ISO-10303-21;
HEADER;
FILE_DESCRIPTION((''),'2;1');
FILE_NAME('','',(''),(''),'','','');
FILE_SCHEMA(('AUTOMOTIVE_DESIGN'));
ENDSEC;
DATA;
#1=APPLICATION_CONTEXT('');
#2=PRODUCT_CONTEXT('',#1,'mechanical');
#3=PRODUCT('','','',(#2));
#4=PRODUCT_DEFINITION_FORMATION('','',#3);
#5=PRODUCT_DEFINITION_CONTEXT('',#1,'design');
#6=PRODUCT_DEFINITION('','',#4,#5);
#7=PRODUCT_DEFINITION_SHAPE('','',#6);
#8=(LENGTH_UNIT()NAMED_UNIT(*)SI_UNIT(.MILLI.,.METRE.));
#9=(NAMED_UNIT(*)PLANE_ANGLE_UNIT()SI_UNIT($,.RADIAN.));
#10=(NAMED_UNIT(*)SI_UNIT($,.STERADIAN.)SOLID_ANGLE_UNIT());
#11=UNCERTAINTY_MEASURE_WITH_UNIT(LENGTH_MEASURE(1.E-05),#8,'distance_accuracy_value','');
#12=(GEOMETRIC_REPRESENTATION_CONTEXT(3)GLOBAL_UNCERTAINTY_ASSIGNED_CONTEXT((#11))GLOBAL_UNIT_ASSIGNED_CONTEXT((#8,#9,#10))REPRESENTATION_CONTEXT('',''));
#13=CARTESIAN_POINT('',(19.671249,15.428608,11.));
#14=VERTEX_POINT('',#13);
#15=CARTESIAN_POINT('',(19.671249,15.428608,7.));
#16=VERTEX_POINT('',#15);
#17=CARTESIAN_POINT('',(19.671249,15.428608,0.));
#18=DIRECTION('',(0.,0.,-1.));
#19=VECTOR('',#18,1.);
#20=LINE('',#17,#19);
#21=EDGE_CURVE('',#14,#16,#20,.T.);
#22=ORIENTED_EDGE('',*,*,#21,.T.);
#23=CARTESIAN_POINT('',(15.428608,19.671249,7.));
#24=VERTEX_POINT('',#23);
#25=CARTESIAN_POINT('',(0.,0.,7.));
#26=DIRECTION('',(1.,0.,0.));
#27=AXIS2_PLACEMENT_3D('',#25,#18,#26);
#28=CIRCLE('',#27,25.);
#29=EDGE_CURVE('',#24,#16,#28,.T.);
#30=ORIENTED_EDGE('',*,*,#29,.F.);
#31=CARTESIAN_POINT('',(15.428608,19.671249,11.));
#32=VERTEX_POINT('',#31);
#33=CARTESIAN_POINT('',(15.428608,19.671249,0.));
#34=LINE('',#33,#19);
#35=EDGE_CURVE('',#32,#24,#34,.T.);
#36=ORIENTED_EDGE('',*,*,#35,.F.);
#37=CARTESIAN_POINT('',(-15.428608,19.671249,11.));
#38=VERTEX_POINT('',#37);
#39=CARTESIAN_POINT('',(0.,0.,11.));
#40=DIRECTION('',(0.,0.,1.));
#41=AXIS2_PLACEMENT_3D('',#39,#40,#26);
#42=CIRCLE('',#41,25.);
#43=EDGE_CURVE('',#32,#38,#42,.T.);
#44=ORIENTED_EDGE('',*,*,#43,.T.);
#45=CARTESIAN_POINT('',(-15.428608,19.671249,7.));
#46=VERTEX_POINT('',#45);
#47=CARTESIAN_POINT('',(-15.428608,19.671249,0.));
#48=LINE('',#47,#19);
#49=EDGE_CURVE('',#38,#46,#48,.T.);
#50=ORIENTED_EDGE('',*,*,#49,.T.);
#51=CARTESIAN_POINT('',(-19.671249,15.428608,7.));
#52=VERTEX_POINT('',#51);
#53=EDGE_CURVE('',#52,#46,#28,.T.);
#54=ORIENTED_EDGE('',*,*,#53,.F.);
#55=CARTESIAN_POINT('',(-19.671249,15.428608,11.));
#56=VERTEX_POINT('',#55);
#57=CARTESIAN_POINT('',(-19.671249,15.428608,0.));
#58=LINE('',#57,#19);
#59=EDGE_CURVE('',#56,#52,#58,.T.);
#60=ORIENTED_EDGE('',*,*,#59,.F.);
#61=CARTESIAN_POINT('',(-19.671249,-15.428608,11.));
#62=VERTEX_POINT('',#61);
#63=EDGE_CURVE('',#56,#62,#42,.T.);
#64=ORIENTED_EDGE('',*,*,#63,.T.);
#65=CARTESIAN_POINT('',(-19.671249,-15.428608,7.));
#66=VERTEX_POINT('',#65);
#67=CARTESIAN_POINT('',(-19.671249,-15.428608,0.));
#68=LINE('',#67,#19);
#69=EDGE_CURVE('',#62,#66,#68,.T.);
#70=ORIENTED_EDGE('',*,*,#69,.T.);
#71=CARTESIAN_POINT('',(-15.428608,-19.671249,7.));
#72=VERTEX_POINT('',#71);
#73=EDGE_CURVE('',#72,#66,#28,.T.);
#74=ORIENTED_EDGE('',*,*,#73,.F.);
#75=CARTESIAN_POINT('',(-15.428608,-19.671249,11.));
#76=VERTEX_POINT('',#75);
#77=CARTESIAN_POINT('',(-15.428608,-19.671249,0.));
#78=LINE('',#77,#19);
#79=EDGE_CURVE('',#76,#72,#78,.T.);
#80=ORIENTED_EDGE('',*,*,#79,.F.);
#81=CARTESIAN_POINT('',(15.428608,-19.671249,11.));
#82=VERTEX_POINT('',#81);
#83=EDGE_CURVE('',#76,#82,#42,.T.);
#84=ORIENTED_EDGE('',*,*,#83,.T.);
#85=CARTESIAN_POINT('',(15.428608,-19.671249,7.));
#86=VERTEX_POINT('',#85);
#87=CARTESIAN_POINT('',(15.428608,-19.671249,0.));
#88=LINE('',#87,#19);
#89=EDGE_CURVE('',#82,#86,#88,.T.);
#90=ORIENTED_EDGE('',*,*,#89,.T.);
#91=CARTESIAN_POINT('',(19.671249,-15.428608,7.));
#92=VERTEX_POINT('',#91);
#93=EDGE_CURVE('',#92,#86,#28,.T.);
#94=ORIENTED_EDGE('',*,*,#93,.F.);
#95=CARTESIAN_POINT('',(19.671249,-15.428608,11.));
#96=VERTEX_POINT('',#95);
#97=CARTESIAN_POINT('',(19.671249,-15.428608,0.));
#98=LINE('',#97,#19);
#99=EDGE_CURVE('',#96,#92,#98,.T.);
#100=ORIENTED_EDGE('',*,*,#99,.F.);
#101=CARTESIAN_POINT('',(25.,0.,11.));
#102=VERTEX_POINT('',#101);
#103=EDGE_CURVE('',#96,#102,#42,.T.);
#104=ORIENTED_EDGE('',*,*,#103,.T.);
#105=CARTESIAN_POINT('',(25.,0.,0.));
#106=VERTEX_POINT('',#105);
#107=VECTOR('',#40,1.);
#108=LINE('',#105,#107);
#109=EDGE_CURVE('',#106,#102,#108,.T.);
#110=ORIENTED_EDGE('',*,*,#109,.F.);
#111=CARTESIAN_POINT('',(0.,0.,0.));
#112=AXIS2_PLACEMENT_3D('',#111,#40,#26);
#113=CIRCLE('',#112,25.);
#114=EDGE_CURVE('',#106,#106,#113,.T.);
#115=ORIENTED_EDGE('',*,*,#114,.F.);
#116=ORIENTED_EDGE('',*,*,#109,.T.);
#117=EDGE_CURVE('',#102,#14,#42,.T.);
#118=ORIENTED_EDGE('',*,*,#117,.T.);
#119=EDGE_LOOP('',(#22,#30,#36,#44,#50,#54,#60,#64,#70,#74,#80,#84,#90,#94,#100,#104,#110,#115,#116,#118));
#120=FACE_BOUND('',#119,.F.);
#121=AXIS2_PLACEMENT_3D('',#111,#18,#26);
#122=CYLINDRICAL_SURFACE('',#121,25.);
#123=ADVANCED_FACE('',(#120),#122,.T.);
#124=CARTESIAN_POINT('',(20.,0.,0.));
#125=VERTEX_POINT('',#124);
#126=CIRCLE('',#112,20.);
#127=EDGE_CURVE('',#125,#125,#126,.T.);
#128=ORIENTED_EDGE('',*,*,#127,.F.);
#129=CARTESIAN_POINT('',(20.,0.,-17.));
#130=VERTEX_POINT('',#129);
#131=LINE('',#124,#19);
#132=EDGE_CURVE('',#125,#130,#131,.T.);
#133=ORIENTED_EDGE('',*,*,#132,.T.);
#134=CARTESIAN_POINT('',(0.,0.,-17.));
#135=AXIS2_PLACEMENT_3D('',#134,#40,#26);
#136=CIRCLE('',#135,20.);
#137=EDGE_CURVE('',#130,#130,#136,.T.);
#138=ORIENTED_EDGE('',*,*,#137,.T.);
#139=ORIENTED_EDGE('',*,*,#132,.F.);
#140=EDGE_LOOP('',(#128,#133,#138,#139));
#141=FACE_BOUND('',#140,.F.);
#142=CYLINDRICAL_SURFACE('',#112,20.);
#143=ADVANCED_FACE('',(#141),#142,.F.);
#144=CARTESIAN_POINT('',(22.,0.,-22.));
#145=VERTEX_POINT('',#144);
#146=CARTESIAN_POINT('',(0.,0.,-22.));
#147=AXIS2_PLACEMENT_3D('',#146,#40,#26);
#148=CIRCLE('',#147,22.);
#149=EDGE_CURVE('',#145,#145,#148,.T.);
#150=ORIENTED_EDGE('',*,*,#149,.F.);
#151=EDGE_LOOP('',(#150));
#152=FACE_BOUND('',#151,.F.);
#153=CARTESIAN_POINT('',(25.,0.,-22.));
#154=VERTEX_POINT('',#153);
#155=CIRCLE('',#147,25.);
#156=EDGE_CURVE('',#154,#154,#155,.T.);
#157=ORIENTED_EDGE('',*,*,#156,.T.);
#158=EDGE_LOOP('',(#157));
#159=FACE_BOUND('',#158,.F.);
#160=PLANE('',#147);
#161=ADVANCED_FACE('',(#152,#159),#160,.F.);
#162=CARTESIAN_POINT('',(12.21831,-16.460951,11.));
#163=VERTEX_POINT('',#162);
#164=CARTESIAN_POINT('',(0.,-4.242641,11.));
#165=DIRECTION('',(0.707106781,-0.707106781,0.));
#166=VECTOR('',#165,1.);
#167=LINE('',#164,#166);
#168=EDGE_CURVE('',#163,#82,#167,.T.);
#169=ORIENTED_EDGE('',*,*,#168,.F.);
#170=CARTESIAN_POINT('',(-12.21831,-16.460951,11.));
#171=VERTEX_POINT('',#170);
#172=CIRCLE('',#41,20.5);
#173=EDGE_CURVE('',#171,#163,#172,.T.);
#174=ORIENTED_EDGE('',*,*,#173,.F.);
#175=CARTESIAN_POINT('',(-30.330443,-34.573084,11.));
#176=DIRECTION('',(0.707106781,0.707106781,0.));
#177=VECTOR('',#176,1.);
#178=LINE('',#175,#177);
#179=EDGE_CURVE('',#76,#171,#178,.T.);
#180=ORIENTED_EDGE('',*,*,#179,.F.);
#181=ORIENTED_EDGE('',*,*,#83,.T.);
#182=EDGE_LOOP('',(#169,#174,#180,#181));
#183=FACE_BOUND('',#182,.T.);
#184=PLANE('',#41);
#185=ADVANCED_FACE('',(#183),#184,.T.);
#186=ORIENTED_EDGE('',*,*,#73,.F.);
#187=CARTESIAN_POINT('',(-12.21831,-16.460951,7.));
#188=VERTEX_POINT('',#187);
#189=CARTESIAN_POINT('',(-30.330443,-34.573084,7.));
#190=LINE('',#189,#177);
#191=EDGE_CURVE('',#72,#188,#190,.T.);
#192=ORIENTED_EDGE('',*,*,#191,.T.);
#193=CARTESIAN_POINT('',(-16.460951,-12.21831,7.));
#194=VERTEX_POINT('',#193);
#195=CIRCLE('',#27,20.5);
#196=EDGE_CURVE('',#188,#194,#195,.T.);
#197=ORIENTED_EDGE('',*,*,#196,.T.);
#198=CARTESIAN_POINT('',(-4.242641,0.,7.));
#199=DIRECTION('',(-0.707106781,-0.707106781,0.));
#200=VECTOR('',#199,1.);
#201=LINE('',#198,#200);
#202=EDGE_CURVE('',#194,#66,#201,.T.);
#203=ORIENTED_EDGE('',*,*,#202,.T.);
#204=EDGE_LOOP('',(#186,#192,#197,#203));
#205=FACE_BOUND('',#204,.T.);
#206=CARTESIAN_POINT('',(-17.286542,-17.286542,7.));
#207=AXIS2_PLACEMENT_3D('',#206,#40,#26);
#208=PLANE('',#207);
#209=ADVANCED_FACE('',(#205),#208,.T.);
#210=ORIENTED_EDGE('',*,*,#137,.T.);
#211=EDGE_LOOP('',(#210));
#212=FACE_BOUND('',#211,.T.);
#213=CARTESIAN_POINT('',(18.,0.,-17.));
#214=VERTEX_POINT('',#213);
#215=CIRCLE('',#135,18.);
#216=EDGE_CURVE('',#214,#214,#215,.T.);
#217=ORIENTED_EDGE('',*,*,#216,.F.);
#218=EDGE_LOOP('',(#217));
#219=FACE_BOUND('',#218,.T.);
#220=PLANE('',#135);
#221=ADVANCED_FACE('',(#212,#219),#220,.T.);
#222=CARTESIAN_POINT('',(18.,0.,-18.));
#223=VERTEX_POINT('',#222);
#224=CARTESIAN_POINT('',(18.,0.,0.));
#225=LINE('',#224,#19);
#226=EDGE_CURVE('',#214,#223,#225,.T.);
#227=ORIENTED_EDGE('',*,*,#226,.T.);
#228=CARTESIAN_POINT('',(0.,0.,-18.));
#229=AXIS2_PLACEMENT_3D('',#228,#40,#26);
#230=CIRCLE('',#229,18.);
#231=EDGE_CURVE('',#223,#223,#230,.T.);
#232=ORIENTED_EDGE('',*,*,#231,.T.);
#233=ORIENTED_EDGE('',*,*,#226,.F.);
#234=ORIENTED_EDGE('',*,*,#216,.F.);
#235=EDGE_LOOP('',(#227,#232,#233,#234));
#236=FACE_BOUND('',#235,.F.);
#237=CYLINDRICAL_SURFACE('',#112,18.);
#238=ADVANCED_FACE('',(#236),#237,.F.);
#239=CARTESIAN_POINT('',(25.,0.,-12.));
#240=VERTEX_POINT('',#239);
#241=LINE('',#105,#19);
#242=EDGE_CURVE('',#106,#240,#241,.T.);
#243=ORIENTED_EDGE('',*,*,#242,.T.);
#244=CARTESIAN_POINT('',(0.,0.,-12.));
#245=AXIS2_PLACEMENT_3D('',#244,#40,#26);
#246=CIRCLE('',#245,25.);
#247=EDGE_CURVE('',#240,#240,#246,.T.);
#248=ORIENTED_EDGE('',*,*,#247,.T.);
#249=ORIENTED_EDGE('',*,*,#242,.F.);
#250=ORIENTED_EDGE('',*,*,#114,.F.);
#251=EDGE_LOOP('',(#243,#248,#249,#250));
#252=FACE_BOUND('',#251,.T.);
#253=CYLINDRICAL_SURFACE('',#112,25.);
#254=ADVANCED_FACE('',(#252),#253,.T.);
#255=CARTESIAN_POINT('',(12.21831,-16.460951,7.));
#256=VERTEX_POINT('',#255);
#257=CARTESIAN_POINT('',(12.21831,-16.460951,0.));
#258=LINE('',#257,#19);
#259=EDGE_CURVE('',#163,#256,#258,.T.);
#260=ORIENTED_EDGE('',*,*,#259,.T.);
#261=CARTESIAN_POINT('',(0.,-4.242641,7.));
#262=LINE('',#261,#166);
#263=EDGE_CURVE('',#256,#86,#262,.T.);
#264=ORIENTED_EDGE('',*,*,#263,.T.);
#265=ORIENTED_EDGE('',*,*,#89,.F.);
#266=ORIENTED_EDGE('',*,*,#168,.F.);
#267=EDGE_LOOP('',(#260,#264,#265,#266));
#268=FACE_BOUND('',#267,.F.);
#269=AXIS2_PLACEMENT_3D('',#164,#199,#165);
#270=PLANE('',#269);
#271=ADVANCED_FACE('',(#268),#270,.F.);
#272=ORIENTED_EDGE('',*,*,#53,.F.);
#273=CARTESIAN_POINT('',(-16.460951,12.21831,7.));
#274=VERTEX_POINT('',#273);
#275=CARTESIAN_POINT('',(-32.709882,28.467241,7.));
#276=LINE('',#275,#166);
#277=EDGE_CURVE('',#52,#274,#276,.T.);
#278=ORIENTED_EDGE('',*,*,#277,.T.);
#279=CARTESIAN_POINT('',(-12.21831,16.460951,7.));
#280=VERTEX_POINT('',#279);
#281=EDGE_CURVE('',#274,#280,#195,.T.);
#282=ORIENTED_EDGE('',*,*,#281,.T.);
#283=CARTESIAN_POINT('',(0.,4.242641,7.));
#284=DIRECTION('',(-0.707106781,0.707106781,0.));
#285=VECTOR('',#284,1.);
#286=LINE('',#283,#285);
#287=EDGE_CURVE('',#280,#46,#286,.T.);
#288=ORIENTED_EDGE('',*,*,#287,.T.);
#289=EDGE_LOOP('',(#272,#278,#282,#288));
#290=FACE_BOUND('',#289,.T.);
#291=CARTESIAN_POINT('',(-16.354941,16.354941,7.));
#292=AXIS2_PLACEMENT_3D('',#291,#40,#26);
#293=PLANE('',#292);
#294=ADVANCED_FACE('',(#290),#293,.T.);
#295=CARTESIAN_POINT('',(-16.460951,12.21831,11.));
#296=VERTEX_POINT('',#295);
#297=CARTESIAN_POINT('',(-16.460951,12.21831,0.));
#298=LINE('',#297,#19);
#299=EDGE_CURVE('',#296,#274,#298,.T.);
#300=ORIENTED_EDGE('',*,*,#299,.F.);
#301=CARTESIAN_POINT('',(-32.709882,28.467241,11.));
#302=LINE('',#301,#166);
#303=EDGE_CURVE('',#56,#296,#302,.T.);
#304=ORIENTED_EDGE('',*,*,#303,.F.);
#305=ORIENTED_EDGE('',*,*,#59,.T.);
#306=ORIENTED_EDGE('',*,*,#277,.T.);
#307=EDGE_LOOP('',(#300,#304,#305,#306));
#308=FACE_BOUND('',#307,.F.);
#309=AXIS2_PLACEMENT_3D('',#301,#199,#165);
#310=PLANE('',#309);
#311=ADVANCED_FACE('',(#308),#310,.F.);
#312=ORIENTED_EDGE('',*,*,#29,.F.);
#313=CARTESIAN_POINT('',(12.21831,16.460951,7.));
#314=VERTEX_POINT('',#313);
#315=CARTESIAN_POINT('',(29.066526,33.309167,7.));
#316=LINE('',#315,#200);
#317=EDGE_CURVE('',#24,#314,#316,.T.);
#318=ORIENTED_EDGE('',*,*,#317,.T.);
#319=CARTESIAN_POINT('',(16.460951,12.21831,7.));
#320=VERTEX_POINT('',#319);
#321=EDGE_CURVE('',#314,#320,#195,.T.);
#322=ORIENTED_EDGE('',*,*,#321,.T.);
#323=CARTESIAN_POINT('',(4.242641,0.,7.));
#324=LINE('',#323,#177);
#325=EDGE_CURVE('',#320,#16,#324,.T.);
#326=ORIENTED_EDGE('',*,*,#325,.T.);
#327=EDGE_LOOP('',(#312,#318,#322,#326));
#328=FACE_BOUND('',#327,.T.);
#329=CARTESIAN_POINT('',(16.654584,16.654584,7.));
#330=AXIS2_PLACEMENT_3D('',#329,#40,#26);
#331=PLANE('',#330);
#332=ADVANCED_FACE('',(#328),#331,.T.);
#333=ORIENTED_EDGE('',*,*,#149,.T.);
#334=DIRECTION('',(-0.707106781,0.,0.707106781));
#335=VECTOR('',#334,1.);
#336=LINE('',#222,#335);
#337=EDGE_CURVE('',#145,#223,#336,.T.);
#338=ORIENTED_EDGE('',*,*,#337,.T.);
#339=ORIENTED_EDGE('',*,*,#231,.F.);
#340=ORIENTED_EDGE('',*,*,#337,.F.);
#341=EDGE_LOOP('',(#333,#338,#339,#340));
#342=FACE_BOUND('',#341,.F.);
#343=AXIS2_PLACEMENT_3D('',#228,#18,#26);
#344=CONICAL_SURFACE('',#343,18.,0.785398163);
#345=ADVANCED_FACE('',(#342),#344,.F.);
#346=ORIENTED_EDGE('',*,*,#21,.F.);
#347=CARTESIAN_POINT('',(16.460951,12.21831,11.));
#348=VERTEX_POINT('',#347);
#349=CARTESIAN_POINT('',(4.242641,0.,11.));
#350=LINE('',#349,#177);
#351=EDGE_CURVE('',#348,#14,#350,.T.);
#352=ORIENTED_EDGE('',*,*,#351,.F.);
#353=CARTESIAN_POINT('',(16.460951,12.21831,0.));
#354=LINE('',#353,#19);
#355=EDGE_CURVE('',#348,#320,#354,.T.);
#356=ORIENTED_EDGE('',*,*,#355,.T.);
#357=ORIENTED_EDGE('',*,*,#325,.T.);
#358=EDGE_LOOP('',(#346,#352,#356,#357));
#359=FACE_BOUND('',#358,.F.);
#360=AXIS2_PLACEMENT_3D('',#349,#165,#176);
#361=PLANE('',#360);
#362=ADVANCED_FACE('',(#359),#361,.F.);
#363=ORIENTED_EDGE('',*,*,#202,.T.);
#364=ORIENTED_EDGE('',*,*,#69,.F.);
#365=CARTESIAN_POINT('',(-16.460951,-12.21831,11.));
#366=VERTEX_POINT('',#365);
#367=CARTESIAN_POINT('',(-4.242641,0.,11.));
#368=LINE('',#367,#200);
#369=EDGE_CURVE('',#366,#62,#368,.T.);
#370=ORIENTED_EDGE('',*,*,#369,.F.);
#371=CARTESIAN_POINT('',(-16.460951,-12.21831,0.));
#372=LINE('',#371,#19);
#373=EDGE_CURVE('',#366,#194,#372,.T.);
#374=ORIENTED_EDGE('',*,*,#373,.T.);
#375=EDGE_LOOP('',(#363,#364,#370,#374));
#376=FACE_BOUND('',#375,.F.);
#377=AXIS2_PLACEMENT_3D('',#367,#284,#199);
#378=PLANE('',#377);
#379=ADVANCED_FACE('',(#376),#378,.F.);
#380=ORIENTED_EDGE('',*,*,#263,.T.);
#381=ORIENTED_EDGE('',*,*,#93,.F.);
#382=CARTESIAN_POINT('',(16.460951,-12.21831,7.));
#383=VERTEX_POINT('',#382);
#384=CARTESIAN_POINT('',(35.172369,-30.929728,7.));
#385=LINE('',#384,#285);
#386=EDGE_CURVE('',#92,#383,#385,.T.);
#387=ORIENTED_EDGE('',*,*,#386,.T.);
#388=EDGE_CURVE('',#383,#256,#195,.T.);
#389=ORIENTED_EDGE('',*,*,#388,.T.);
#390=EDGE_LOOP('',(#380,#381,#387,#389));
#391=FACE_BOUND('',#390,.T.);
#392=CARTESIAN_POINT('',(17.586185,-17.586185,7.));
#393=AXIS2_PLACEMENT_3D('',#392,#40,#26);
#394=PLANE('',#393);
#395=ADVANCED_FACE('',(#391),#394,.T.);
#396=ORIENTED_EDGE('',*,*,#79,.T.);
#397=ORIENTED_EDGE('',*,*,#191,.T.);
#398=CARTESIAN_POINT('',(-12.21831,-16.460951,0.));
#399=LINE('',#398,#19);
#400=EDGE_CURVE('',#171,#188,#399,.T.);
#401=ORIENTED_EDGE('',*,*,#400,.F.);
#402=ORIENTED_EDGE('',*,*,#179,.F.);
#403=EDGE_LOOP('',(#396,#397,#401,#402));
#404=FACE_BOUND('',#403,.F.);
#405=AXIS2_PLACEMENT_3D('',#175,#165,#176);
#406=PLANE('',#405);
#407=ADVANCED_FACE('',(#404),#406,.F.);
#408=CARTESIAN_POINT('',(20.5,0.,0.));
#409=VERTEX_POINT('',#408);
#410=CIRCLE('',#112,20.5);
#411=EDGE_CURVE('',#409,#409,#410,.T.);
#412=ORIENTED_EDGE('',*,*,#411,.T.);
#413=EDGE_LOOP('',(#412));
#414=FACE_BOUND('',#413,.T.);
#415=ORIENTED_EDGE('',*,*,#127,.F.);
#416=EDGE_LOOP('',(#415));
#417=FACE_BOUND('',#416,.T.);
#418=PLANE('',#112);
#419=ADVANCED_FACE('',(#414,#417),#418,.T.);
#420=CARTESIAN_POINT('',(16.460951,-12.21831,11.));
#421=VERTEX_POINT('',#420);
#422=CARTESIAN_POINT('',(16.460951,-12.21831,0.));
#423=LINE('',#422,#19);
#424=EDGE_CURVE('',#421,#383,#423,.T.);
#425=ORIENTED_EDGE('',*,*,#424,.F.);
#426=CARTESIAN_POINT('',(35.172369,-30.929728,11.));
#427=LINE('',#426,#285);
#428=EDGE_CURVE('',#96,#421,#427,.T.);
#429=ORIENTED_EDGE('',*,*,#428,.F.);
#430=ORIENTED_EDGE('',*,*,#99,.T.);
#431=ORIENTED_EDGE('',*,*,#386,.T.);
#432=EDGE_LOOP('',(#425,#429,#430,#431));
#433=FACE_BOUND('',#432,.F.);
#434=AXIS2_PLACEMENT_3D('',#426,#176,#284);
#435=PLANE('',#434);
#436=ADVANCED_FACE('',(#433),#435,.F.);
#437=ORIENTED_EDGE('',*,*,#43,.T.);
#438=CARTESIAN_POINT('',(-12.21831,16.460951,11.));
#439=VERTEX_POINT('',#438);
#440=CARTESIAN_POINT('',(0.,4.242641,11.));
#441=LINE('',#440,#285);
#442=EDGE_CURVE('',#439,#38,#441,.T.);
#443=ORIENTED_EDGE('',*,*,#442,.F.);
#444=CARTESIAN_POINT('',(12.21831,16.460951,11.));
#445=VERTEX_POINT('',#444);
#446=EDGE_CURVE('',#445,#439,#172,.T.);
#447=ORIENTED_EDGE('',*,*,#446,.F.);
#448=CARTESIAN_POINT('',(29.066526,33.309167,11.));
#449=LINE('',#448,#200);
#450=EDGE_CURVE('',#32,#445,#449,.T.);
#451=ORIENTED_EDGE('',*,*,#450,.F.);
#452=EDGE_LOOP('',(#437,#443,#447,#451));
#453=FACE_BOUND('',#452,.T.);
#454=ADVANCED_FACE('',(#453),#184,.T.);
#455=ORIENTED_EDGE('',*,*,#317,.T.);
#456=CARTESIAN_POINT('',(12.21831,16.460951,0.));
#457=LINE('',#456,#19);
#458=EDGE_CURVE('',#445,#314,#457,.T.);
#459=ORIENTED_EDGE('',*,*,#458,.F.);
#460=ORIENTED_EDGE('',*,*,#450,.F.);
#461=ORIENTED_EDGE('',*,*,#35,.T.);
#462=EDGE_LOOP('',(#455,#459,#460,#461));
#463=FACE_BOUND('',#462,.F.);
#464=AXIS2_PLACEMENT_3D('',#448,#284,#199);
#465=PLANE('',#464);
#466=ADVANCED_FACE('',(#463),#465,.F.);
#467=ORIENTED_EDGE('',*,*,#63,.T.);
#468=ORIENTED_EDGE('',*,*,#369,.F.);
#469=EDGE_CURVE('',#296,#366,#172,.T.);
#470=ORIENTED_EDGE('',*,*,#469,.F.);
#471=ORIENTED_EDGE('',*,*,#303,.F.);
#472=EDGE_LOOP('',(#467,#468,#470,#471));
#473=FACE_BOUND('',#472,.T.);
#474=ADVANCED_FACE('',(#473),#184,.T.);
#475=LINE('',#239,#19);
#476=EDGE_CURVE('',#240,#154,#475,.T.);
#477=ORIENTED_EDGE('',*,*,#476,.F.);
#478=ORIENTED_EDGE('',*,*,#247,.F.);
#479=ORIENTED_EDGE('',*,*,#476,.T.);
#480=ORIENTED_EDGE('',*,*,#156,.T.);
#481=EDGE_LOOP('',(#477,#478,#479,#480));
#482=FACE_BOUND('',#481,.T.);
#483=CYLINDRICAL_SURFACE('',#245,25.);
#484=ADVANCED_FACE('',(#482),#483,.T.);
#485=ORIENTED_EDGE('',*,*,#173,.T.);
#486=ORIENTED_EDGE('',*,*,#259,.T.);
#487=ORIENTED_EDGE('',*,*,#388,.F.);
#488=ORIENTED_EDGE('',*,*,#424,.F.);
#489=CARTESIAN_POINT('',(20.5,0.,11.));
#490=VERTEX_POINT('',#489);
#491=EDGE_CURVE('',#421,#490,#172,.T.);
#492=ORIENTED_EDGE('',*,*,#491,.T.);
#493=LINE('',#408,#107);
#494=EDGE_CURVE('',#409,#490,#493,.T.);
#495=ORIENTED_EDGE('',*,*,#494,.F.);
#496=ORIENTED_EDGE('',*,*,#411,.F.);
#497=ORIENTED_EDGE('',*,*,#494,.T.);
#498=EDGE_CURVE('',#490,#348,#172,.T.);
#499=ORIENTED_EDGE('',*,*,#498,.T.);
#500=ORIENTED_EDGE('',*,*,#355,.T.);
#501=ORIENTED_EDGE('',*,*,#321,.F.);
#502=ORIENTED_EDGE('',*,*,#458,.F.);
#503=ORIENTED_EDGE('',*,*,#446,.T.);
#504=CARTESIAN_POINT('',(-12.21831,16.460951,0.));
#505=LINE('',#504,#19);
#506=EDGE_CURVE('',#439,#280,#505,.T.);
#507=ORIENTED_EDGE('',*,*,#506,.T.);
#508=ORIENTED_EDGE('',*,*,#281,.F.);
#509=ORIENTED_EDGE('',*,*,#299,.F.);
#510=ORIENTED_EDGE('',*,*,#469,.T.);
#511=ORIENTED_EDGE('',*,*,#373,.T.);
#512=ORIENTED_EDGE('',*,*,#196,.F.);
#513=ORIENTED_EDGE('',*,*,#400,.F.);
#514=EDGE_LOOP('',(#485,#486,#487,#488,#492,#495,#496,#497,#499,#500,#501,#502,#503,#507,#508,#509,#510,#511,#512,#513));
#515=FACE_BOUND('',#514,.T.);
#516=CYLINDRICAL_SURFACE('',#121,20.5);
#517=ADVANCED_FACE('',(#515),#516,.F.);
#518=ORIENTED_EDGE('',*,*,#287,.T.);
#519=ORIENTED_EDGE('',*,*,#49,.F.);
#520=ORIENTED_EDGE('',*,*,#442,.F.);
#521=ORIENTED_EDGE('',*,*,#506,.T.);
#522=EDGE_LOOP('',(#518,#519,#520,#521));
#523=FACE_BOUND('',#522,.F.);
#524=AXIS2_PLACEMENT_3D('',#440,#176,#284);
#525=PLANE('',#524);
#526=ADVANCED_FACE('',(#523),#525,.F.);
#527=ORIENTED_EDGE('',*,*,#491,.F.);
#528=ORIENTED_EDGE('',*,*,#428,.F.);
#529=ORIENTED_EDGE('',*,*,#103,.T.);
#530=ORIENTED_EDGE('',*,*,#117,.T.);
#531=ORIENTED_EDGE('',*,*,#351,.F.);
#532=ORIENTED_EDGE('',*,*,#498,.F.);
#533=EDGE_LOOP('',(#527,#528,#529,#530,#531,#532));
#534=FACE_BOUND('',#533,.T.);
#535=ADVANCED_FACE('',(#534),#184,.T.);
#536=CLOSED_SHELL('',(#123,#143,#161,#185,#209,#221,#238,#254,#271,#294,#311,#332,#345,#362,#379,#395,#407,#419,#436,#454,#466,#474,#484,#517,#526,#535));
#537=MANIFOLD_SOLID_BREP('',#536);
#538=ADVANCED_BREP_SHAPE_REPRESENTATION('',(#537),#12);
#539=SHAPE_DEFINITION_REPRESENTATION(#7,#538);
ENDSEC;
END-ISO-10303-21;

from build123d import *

# Parameters (mm, degrees)
F0_R      = 27
F0_R_2    = 18
F1_DEPTH  = 22
F2_R      = 20
F3_DEPTH  = 17
F4_SIZE   = 4
F5_R      = 27
F5_R_2    = 25
F6_DEPTH  = 12
F7_R      = 25
F7_R_2    = 20.5
F8_DEPTH  = 11
F10_DEPTH = 4
F11_R     = 27
F11_R_2   = 25
F12_DEPTH = 10.001


with BuildPart() as f1:
    # F0 (on Top) → F1 (new body)
    with BuildSketch(Plane.XY):
        Circle(F0_R)
        Circle(F0_R_2, mode=Mode.SUBTRACT)
    extrude(amount=-F1_DEPTH)

    # F2 (on face) → F3 (cut)
    with BuildSketch(Plane.XY):
        Circle(F2_R)
    extrude(amount=-F3_DEPTH, mode=Mode.SUBTRACT)

    # F4
    f4_edges = [f1.edges().sort_by_distance(p)[0] for p in [
        (-18, 0, -22),
    ]]
    chamfer(f4_edges, length=F4_SIZE)

    # F5 (on Top) → F6 (cut)
    with BuildSketch(Plane.XY):
        Circle(F5_R)
        Circle(F5_R_2, mode=Mode.SUBTRACT)
    extrude(amount=-F6_DEPTH, mode=Mode.SUBTRACT)

    # F7 (on face) → F8 (join)
    with BuildSketch(Plane.XY):
        Circle(F7_R)
        Circle(F7_R_2, mode=Mode.SUBTRACT)
    extrude(amount=F8_DEPTH)

    # F9 (on face) → F10 (cut)
    with BuildSketch(Plane.XY.offset(11)):
        Polygon((-28.467241, 32.709882), (-32.709882, 28.467241), (-4.242641, 0), (0, 4.242641), align=None)
        Polygon((0, -4.242641), (-4.242641, 0), (-34.573084, -30.330443), (-30.330443, -34.573084), align=None)
        Polygon((4.242641, 0), (0, -4.242641), (30.929728, -35.172369), (35.172369, -30.929728), align=None)
        Polygon((29.066526, 33.309167), (0, 4.242641), (4.242641, 0), (33.309167, 29.066526), align=None)
    extrude(amount=-F10_DEPTH, mode=Mode.SUBTRACT)

    # F11 (on face) → F12 (cut, through all)
    with BuildSketch(Plane.XY.offset(-12)):
        Circle(F11_R)
        Circle(F11_R_2, mode=Mode.SUBTRACT)
    extrude(amount=-F12_DEPTH, mode=Mode.SUBTRACT)


solid = f1.part
